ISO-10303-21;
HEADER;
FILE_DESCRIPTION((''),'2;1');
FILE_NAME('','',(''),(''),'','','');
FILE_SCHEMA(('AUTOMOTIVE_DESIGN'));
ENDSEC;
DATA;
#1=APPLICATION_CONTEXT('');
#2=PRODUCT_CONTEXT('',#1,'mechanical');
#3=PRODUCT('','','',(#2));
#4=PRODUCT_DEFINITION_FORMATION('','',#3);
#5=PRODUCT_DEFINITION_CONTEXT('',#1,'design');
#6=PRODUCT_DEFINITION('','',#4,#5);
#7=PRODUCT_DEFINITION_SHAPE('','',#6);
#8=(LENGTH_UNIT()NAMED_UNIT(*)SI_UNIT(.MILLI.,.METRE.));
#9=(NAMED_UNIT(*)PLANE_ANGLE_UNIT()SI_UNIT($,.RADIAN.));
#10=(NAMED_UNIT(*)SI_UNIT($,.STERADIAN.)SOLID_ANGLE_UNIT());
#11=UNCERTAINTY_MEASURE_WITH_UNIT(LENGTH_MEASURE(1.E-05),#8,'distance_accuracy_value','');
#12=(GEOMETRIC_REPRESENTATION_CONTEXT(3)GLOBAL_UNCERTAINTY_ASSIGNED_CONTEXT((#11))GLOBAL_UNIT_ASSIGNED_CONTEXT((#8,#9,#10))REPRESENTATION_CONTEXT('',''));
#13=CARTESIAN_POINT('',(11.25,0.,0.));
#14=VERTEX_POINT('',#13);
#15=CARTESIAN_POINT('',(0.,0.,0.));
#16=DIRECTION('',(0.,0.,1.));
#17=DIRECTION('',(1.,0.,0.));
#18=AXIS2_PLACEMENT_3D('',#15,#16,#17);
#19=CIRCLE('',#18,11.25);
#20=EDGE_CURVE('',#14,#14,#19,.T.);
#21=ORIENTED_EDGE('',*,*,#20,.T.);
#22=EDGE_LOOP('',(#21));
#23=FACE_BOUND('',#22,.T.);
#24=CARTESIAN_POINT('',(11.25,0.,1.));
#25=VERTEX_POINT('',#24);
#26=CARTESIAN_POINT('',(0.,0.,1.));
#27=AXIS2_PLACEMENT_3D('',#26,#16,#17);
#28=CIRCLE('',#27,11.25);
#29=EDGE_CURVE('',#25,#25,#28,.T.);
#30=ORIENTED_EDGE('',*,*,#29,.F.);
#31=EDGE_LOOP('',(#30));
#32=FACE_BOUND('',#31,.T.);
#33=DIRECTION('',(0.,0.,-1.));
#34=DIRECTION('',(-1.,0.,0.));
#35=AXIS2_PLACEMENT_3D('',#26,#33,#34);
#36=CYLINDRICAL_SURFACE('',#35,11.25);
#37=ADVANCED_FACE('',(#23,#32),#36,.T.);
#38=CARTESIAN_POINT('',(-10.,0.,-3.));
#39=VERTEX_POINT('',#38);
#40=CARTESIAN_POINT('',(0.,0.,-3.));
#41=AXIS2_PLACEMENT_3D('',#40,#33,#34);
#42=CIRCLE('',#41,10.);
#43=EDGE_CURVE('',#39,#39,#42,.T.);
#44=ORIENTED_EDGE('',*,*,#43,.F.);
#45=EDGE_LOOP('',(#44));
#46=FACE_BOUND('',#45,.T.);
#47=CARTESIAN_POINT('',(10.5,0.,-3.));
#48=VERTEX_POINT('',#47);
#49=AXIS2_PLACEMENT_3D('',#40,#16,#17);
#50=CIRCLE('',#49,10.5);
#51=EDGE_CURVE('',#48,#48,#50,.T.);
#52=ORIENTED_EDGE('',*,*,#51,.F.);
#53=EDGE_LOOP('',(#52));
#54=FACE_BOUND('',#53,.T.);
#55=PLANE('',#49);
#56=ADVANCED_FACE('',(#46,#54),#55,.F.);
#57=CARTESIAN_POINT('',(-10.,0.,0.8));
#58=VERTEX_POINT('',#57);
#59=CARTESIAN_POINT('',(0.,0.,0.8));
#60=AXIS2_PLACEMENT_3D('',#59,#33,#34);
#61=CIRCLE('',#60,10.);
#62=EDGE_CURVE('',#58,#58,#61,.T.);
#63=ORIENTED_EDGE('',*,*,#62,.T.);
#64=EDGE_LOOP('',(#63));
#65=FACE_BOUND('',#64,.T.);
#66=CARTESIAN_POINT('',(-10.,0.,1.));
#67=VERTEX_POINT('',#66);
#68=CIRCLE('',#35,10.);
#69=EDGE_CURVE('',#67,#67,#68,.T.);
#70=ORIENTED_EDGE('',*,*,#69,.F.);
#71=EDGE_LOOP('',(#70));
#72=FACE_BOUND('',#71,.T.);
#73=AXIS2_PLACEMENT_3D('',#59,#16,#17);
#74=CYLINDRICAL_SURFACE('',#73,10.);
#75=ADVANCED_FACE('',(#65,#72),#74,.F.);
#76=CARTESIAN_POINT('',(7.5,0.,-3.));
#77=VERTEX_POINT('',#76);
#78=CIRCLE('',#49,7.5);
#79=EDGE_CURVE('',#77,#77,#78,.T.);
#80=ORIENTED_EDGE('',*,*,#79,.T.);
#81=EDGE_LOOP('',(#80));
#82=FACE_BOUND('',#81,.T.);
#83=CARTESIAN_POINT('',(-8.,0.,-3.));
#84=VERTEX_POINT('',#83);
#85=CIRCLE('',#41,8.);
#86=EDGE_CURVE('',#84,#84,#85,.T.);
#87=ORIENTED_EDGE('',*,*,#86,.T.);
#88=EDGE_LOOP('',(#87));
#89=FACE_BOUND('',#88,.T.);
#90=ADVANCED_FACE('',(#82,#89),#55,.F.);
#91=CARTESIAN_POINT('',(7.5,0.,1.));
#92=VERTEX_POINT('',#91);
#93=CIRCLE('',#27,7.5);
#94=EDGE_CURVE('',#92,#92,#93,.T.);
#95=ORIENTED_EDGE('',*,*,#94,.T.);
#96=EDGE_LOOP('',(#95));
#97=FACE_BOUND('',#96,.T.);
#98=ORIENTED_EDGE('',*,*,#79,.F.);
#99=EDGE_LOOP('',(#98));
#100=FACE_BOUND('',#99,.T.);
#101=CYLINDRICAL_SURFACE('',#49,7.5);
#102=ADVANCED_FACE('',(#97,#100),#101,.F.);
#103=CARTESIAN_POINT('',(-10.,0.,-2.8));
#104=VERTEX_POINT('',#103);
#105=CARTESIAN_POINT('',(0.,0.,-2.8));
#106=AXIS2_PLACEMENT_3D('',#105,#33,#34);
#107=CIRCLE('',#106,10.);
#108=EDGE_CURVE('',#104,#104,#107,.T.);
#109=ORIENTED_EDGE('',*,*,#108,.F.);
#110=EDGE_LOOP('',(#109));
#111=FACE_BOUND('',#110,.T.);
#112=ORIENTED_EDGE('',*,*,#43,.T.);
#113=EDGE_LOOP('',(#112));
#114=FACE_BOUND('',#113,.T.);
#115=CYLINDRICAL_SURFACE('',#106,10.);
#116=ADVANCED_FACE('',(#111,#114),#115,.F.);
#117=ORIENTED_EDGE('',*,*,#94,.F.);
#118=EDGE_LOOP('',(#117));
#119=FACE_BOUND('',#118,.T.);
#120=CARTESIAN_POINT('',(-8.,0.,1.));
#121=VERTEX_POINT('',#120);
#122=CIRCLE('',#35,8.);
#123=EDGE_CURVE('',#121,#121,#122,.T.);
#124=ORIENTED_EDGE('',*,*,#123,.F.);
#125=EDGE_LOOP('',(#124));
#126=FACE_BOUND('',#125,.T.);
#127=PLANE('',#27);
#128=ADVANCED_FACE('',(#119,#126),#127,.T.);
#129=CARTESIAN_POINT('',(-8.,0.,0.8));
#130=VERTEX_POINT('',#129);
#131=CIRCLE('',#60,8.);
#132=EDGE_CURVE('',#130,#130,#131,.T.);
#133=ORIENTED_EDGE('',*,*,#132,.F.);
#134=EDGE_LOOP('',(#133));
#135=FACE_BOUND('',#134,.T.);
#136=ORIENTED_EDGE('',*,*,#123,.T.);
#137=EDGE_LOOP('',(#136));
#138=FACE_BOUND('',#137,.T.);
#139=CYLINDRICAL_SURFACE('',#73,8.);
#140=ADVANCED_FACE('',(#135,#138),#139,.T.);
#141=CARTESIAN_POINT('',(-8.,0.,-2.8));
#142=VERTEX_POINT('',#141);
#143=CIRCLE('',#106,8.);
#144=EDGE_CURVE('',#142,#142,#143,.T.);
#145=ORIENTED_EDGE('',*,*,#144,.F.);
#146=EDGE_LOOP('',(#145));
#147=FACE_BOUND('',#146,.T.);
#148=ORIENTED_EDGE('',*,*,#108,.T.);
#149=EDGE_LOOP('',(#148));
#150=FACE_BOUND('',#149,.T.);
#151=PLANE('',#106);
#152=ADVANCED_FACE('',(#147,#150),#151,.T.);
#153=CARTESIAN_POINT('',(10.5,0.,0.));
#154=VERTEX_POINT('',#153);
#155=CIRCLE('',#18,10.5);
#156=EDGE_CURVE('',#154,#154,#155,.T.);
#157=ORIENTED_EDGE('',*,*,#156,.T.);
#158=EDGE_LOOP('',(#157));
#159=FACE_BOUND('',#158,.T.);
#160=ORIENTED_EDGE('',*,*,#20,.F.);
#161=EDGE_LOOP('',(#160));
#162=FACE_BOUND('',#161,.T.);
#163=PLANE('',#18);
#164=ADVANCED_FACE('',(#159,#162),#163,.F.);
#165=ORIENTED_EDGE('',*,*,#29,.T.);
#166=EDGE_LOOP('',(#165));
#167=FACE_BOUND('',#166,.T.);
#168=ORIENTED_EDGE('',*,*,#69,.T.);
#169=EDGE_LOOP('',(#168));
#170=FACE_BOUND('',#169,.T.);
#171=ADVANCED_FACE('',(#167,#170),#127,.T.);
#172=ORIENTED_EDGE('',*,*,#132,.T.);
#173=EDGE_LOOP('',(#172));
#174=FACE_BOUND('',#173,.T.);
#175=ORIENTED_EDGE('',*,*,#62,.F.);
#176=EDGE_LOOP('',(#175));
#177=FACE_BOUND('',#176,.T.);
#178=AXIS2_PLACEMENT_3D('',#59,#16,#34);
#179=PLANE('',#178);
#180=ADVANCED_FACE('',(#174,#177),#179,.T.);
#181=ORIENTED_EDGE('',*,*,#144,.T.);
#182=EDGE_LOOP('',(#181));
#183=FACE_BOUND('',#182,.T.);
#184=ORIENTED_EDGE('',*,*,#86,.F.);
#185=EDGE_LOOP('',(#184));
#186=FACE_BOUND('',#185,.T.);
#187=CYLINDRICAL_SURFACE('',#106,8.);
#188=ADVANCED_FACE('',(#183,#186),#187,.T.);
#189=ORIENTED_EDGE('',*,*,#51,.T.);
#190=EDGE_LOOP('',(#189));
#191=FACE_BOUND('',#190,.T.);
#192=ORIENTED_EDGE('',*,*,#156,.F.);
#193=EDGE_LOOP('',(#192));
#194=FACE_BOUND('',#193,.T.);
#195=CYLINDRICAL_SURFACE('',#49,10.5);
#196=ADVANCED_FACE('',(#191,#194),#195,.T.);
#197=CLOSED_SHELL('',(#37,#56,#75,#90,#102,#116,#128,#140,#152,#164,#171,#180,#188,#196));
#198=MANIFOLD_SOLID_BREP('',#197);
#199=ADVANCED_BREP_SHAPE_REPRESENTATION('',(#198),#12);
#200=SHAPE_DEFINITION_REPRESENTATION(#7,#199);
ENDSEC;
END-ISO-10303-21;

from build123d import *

# Parameters (mm, degrees)
SKETCH_1_R          = 11.25
SKETCH_1_R_2        = 10.5
EXTRUDE_1_DEPTH     = 1
EXTRUDE_START       = -4
SKETCH_2_R          = 10.5
SKETCH_2_R_2        = 7.5
EXTRUDE_2_DEPTH     = 4
SKETCH_3_R          = 10
SKETCH_3_R_2        = 8
CUT_EXTRUDE_1_DEPTH = 0.2


with BuildPart() as part:
    # 草图1 → 凸台-拉伸1 (new body)
    with BuildSketch(Plane.XY):
        Circle(SKETCH_1_R)
        Circle(SKETCH_1_R_2, mode=Mode.SUBTRACT)
    extrude(amount=EXTRUDE_1_DEPTH)

    # 草图2 → 凸台-拉伸2 (add)
    with BuildSketch(Plane.XY.offset(1).offset(EXTRUDE_START)):
        Circle(SKETCH_2_R)
        Circle(SKETCH_2_R_2, mode=Mode.SUBTRACT)
    extrude(amount=EXTRUDE_2_DEPTH)

    # 草图3 → 切除-拉伸1 (cut)
    with BuildSketch(Plane(origin=(0, 0, -3), x_dir=(-1, 0, 0), z_dir=(0, 0, -1))):
        Circle(SKETCH_3_R)
        Circle(SKETCH_3_R_2, mode=Mode.SUBTRACT)
    cut_extrude_1 = extrude(amount=-CUT_EXTRUDE_1_DEPTH, mode=Mode.SUBTRACT)

    # 镜向1: 切除-拉伸1 across plane
    add(cut_extrude_1.mirror(Plane(origin=(0, 0, -1), x_dir=(1, 0, 0), z_dir=(0, 0, -1))), mode=Mode.SUBTRACT)


solid = part.part
